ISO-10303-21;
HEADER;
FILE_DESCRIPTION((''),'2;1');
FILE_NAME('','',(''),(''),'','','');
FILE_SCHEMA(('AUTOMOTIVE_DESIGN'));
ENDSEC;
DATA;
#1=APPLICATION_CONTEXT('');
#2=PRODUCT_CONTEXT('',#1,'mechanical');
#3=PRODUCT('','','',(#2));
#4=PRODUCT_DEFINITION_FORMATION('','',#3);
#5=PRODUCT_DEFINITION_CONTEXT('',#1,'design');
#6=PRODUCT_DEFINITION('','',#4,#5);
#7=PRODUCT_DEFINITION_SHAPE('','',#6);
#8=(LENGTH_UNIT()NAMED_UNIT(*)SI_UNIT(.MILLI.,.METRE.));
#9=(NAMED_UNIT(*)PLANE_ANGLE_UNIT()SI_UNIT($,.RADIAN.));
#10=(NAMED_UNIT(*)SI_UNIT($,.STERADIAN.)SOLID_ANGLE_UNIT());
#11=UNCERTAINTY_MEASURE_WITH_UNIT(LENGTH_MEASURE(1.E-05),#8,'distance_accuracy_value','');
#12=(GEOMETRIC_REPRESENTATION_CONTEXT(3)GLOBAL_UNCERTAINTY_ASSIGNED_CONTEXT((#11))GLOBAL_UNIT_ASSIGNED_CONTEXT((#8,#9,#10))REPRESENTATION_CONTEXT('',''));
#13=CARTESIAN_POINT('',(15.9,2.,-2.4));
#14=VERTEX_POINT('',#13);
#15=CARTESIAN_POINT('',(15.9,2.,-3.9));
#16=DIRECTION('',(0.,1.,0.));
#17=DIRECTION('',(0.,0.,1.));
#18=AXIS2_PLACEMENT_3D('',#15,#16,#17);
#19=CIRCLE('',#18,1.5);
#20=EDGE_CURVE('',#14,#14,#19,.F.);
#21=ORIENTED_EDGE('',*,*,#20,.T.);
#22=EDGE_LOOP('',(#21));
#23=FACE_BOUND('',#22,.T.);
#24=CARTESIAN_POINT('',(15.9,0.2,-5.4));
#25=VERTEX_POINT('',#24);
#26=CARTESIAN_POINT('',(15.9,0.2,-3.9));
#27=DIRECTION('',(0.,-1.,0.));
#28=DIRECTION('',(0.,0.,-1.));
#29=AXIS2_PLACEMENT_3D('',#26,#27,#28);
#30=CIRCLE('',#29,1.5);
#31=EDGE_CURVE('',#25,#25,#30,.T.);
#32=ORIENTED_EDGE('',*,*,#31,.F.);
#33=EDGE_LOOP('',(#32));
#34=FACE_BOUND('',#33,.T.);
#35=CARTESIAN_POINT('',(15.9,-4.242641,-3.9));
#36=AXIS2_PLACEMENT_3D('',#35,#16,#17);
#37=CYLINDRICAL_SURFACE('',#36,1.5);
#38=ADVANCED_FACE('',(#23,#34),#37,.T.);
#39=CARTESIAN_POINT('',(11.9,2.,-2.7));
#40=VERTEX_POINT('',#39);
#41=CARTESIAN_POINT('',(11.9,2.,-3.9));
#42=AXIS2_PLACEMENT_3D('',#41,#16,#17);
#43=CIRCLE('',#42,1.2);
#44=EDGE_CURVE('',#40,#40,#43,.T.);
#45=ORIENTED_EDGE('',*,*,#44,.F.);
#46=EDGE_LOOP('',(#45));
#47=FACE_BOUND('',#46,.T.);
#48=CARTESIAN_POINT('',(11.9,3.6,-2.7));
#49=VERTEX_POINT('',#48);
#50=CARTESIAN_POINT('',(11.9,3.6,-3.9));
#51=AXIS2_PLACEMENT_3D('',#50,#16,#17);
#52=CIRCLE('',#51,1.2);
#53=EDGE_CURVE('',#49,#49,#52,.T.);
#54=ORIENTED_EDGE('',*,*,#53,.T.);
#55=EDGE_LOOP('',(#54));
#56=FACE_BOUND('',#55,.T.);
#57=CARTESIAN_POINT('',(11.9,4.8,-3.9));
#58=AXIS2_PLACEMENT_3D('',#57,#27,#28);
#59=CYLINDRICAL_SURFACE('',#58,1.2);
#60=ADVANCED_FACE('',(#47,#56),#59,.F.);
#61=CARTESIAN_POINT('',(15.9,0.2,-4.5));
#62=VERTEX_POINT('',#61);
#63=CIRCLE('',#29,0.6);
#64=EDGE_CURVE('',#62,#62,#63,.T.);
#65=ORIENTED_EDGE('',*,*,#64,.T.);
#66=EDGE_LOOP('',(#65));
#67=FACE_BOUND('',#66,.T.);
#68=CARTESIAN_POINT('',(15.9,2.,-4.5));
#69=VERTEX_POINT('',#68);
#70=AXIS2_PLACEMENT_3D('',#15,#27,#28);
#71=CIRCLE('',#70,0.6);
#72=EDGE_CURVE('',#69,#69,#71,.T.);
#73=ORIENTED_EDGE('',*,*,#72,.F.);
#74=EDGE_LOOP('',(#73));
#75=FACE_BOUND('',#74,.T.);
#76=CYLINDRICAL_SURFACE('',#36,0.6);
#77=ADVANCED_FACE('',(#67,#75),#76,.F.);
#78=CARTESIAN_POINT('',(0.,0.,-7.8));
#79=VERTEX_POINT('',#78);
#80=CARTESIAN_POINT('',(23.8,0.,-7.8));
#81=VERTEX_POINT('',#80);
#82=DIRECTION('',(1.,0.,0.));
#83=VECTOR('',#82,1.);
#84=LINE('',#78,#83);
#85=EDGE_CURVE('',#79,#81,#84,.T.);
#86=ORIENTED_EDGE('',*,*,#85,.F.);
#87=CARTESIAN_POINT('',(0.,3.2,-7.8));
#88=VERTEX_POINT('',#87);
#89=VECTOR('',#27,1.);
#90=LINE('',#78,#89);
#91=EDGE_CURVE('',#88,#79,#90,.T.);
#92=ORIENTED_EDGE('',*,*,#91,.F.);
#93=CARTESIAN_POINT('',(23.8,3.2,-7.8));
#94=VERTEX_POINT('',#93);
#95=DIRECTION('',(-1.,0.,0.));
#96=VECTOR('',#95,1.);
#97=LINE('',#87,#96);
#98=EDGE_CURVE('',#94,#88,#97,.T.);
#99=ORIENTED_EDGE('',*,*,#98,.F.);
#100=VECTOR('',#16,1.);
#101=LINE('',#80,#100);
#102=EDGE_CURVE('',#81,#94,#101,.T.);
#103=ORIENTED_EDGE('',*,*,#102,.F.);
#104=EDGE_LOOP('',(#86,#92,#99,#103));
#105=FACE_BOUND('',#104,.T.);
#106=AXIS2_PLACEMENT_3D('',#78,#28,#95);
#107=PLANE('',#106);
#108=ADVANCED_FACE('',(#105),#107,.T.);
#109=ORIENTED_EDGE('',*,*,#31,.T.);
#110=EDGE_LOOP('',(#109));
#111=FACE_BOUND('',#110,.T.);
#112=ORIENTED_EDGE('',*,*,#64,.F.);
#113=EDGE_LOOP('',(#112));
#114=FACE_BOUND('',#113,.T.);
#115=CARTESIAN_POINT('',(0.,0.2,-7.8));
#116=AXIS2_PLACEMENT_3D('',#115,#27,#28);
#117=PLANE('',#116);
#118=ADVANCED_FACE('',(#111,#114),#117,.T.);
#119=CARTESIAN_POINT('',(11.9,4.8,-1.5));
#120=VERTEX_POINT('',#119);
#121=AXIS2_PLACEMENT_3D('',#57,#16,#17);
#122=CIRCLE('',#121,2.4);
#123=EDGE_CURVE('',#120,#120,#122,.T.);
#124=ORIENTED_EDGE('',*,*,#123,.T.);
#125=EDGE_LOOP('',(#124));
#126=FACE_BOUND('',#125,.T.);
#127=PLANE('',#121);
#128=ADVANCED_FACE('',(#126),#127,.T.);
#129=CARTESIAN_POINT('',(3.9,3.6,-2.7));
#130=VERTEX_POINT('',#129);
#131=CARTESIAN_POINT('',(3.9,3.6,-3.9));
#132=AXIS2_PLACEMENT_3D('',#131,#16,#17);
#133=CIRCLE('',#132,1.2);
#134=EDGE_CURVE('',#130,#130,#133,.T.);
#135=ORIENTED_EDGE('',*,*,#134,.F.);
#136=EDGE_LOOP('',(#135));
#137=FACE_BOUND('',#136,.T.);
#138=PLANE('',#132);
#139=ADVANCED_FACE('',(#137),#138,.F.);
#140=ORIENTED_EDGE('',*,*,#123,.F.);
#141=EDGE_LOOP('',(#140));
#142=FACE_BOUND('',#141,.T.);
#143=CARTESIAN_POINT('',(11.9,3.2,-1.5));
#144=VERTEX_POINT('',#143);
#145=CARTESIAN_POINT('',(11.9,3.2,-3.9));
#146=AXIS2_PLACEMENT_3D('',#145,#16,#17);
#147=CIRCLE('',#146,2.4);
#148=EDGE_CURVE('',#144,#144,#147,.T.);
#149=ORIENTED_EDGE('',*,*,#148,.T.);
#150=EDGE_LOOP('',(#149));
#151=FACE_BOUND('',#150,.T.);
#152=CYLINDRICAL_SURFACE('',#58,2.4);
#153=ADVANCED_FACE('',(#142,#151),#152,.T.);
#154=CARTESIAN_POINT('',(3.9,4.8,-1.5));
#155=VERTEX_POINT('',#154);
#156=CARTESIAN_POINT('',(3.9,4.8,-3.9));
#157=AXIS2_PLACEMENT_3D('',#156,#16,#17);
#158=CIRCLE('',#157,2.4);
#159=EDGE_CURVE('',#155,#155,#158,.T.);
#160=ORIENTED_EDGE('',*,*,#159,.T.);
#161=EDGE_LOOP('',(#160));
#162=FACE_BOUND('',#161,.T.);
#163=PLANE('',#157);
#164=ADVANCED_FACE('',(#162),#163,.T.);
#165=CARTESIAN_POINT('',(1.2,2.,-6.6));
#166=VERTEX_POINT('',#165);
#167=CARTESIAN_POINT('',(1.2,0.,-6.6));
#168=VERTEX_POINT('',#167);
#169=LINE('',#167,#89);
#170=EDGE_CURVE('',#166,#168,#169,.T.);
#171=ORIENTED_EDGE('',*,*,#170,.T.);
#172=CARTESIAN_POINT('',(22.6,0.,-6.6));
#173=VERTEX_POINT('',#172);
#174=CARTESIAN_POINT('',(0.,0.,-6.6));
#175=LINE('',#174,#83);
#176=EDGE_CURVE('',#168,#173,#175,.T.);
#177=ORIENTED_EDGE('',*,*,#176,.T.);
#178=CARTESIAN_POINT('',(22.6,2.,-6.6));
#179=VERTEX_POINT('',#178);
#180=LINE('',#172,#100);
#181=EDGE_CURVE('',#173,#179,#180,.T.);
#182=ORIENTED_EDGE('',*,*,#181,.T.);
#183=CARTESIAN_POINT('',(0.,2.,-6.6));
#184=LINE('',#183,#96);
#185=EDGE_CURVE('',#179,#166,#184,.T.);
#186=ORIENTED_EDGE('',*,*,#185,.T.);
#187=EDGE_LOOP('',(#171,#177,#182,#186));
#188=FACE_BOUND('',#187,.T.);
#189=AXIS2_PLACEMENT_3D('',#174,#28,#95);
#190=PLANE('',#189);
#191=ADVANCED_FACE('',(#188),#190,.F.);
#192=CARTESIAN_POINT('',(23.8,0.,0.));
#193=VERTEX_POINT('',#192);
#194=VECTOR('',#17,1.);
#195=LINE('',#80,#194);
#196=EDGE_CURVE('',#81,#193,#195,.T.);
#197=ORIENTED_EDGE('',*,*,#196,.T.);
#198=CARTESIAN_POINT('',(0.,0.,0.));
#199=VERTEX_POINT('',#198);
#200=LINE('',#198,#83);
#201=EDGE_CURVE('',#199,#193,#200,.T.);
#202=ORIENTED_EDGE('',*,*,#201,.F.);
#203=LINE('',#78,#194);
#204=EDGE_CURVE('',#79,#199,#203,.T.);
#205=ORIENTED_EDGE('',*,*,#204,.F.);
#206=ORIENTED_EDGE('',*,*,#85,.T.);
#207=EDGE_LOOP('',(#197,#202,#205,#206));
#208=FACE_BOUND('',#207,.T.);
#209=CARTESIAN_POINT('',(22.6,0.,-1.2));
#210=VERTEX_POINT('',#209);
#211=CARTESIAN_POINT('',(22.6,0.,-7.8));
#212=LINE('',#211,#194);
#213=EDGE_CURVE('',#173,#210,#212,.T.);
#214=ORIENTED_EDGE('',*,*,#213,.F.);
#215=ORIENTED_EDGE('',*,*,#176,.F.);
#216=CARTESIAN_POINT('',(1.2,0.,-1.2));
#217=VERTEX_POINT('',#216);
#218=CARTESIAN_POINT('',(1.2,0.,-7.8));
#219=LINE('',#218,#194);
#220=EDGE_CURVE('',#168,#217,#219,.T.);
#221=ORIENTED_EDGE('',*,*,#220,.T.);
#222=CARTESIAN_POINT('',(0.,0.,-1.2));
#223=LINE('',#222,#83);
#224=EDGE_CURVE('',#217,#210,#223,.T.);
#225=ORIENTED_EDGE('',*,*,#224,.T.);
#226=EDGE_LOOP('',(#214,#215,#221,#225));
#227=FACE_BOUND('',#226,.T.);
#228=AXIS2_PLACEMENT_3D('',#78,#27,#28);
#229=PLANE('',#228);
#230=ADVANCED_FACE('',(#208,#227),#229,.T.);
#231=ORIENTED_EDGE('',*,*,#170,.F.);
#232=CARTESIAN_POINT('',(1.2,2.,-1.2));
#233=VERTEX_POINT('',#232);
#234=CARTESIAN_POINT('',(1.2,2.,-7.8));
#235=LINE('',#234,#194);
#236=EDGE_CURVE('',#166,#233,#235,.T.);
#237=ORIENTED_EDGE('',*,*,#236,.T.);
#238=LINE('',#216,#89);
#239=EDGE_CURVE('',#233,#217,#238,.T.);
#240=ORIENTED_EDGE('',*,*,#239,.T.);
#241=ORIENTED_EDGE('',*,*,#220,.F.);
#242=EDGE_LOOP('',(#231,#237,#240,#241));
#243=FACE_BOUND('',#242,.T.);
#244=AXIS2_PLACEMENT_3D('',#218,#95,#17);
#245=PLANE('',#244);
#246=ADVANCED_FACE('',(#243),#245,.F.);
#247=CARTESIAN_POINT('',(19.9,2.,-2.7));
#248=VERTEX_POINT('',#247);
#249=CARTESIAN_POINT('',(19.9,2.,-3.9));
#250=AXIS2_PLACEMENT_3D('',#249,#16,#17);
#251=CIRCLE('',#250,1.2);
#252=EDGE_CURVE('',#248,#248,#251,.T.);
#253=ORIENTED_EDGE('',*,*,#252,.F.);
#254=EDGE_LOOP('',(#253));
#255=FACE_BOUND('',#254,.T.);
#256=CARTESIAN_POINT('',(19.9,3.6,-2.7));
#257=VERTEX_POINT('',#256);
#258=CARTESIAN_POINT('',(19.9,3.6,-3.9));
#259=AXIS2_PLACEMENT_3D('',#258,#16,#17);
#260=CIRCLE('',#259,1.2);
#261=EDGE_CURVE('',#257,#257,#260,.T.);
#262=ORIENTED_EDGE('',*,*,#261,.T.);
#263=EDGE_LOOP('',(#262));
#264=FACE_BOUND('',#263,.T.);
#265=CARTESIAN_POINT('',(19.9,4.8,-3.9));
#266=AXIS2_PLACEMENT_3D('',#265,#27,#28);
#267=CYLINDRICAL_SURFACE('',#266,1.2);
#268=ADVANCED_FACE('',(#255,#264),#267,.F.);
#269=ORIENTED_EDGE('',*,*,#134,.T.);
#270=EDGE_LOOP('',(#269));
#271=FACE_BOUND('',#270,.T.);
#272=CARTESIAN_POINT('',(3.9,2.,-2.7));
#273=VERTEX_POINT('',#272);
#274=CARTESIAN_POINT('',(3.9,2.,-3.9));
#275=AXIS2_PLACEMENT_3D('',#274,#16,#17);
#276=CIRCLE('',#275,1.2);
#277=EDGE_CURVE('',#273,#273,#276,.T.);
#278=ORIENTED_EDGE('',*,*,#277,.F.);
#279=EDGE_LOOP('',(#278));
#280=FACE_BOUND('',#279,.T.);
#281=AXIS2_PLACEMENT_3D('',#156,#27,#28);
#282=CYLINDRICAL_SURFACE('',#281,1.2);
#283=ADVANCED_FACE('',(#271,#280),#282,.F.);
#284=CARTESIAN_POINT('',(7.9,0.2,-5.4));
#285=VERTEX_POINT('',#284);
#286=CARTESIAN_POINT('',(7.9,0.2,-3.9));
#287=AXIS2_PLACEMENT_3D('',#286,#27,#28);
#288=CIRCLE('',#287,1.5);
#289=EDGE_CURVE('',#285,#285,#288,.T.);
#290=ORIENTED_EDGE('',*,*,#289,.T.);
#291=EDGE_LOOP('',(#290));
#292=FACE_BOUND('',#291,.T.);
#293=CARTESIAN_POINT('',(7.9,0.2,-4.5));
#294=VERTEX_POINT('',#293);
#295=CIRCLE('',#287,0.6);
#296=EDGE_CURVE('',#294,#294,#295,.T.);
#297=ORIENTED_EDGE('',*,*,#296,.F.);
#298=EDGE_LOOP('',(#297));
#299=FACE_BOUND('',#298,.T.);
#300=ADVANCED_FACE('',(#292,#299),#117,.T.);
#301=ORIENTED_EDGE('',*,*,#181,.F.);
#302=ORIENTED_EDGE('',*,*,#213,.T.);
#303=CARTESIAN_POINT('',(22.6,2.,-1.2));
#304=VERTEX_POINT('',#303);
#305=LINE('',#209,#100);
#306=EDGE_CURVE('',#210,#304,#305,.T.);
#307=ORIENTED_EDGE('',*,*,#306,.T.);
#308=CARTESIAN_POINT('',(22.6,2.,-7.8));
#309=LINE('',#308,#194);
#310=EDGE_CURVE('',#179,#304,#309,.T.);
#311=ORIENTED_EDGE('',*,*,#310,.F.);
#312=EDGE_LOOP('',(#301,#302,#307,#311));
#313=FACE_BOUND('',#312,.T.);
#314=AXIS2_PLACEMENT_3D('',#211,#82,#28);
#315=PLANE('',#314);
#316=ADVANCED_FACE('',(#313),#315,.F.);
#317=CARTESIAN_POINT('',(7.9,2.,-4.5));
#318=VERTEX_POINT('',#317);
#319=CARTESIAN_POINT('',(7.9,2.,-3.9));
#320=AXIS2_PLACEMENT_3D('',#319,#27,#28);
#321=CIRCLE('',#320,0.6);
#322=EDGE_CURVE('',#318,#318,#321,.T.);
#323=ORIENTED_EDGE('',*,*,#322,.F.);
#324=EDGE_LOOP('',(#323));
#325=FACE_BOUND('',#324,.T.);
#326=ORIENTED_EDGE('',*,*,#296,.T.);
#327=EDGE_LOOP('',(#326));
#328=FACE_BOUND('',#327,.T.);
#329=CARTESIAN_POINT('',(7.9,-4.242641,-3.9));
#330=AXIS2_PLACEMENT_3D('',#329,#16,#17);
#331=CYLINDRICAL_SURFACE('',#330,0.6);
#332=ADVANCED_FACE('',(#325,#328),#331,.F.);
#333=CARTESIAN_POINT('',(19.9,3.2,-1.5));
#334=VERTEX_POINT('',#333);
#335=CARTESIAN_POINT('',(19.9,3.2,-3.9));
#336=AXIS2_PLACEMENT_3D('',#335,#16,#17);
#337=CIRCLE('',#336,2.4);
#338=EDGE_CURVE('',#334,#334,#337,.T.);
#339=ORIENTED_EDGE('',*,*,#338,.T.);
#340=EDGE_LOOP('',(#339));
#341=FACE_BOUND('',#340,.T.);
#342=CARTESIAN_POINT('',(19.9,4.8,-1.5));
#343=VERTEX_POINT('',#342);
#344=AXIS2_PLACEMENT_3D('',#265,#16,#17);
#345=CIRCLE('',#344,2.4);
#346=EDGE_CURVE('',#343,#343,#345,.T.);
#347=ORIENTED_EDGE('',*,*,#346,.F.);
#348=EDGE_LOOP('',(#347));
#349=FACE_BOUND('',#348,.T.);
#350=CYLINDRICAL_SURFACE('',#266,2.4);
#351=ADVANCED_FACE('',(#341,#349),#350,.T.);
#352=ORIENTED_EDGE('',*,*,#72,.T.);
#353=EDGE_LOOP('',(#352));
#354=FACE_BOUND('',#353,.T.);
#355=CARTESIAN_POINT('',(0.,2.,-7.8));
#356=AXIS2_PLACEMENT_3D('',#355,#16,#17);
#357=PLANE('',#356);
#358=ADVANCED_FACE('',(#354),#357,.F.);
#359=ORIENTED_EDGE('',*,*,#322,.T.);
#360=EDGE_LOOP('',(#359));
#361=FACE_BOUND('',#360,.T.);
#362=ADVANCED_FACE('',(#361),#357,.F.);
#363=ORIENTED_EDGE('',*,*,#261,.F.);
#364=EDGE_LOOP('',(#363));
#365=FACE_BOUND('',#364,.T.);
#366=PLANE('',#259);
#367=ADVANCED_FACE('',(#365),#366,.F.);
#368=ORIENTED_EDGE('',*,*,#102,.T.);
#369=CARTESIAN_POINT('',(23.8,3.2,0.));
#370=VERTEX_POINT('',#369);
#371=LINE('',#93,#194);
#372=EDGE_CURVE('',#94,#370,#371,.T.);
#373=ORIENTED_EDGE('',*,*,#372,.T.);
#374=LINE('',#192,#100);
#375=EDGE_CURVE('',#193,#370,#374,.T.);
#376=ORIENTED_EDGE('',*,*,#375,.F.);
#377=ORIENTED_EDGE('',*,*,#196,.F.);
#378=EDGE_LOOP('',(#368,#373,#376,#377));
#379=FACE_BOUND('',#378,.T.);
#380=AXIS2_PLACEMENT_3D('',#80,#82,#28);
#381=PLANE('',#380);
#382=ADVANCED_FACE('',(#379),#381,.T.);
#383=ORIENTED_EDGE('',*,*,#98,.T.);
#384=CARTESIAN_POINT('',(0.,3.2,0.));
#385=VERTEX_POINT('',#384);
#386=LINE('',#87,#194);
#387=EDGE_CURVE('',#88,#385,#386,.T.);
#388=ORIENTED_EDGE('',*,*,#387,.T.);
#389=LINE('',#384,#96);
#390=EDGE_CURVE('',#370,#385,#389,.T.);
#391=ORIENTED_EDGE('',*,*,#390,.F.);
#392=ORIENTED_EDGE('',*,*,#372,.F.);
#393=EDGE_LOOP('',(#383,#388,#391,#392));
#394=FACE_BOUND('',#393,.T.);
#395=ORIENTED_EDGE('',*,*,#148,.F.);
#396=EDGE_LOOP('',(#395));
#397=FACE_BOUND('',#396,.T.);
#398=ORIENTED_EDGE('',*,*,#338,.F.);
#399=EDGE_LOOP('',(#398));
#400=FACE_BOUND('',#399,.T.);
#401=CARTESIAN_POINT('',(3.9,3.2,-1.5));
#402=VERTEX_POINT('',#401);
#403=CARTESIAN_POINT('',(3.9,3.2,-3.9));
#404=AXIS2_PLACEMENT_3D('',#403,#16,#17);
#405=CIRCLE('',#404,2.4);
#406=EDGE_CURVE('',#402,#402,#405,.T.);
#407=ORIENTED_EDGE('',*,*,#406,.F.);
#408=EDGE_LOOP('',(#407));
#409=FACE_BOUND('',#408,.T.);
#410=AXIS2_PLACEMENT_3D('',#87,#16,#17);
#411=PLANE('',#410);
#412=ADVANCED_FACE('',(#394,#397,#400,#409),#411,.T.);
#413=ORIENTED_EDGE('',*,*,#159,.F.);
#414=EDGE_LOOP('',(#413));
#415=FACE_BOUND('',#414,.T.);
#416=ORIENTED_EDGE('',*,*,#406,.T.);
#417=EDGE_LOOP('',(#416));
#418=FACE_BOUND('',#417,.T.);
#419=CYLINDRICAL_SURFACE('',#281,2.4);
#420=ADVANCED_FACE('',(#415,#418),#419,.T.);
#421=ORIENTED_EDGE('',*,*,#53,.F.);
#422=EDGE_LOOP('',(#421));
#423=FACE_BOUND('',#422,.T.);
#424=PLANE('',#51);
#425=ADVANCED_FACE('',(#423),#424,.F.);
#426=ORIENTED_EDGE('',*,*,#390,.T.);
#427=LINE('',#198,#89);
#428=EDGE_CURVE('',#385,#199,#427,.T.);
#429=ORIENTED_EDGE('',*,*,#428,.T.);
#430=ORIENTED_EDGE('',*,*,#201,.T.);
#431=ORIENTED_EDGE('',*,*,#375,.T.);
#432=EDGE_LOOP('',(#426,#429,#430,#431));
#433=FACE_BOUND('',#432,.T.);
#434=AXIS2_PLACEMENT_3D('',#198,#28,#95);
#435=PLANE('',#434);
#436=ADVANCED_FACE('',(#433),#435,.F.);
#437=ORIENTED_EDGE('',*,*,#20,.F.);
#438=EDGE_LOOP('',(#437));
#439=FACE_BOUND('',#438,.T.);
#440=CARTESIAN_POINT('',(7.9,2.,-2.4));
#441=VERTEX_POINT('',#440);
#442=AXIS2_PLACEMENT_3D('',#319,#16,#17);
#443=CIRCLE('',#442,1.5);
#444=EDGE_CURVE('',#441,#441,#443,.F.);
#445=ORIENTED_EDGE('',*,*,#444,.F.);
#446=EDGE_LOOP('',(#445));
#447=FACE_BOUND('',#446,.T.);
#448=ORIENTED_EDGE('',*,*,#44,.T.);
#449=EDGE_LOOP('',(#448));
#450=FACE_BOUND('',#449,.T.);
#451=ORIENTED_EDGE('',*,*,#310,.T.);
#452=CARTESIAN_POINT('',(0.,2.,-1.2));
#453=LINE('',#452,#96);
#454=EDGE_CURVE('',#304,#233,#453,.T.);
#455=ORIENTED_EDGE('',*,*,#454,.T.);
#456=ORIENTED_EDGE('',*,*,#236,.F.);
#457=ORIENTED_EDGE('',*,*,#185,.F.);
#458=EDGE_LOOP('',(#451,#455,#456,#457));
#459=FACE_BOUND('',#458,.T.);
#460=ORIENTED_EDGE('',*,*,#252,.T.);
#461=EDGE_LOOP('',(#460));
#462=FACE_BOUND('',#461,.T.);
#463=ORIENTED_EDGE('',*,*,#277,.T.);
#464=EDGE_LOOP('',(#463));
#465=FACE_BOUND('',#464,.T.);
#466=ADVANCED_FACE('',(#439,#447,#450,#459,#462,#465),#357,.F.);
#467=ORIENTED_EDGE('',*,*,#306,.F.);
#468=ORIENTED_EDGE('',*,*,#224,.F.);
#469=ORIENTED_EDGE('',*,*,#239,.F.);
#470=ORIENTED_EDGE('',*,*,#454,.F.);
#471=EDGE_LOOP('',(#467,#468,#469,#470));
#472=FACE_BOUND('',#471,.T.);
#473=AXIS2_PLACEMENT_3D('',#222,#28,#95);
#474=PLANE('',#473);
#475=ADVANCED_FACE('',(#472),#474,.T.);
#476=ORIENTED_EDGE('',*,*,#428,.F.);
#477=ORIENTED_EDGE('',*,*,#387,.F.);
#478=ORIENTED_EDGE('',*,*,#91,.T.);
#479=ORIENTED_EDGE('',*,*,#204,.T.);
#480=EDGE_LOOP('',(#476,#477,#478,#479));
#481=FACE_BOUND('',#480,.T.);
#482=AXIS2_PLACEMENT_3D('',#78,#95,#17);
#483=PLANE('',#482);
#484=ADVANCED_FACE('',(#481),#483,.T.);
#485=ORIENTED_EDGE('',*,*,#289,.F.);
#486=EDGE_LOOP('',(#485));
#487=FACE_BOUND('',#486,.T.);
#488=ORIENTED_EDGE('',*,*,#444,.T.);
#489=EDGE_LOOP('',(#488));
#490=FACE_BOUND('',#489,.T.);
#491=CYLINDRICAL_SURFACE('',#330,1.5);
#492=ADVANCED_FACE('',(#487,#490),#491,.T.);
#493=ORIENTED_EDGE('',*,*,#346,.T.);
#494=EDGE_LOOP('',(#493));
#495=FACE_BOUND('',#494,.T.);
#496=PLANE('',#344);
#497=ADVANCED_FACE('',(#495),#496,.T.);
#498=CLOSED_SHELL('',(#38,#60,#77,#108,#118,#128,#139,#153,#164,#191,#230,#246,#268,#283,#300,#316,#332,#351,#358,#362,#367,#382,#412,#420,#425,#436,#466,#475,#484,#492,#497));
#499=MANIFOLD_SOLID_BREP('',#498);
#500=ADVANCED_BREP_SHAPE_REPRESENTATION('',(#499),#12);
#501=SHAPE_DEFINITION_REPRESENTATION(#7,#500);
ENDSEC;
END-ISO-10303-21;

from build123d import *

# Parameters (mm, degrees)
SKETCH1_W            = 23.8
SKETCH1_H            = 3.2
BOSS_EXTRUDE1_DEPTH  = 7.8
SKETCH2_R            = 2.4
BOSS_EXTRUDE2_DEPTH  = 1.6
LPATTERN1_COUNT      = 2
LPATTERN1_PITCH      = 8
LPATTERN1_COUNT_DIR2 = 4
LPATTERN1_PITCH_DIR2 = 8
SHELL1_T             = -1.2
SKETCH3_R            = 1.5
SKETCH3_R_2          = 0.6
BOSS_EXTRUDE3_DEPTH  = 1.8
LPATTERN2_COUNT      = 2
LPATTERN2_PITCH      = 8


with BuildPart() as part:
    # Sketch1 → Boss-Extrude1 (new body)
    with BuildSketch(Plane.XY):
        with Locations((11.9, 1.6)):
            Rectangle(SKETCH1_W, SKETCH1_H)
    extrude(amount=-BOSS_EXTRUDE1_DEPTH)

    # Sketch2 → Boss-Extrude2 (add)
    with BuildSketch(Plane(origin=(0, 3.2, 0), x_dir=(1, 0, 0), z_dir=(0, 1, 0))):
        with Locations(Location((3.9, 3.9, 0), (0, 0, 270))):
            Circle(SKETCH2_R)
    boss_extrude2 = extrude(amount=BOSS_EXTRUDE2_DEPTH)

    # LPattern1: Boss-Extrude2 2 × 4, 5 skipped
    with Locations(*[(j * LPATTERN1_PITCH_DIR2, 0, i * LPATTERN1_PITCH) for i in range(LPATTERN1_COUNT) for j in range(LPATTERN1_COUNT_DIR2) if (i, j) not in ((0, 0), (0, 3), (1, 0), (1, 1), (1, 2), (1, 3))]):
        add(boss_extrude2)

    # Shell1
    shell1_openings = [part.faces().sort_by_distance(p)[0] for p in [
        (11.9, 0, -3.9),
    ]]
    offset(amount=SHELL1_T, openings=shell1_openings, kind=Kind.INTERSECTION)

    # Sketch3 → Boss-Extrude3 (add)
    with BuildSketch(Plane.XZ.offset(-2)):
        with Locations(Location((7.9, -3.9, 0), (0, 0, 90))):
            Circle(SKETCH3_R)
        with Locations(Location((7.9, -3.9, 0), (0, 0, 270))):
            Circle(SKETCH3_R_2, mode=Mode.SUBTRACT)
    boss_extrude3 = extrude(amount=BOSS_EXTRUDE3_DEPTH)

    # LPattern2: Boss-Extrude3 ×2
    with Locations(*[(i * LPATTERN2_PITCH, 0, 0) for i in range(1, LPATTERN2_COUNT)]):
        add(boss_extrude3)


solid = part.part
